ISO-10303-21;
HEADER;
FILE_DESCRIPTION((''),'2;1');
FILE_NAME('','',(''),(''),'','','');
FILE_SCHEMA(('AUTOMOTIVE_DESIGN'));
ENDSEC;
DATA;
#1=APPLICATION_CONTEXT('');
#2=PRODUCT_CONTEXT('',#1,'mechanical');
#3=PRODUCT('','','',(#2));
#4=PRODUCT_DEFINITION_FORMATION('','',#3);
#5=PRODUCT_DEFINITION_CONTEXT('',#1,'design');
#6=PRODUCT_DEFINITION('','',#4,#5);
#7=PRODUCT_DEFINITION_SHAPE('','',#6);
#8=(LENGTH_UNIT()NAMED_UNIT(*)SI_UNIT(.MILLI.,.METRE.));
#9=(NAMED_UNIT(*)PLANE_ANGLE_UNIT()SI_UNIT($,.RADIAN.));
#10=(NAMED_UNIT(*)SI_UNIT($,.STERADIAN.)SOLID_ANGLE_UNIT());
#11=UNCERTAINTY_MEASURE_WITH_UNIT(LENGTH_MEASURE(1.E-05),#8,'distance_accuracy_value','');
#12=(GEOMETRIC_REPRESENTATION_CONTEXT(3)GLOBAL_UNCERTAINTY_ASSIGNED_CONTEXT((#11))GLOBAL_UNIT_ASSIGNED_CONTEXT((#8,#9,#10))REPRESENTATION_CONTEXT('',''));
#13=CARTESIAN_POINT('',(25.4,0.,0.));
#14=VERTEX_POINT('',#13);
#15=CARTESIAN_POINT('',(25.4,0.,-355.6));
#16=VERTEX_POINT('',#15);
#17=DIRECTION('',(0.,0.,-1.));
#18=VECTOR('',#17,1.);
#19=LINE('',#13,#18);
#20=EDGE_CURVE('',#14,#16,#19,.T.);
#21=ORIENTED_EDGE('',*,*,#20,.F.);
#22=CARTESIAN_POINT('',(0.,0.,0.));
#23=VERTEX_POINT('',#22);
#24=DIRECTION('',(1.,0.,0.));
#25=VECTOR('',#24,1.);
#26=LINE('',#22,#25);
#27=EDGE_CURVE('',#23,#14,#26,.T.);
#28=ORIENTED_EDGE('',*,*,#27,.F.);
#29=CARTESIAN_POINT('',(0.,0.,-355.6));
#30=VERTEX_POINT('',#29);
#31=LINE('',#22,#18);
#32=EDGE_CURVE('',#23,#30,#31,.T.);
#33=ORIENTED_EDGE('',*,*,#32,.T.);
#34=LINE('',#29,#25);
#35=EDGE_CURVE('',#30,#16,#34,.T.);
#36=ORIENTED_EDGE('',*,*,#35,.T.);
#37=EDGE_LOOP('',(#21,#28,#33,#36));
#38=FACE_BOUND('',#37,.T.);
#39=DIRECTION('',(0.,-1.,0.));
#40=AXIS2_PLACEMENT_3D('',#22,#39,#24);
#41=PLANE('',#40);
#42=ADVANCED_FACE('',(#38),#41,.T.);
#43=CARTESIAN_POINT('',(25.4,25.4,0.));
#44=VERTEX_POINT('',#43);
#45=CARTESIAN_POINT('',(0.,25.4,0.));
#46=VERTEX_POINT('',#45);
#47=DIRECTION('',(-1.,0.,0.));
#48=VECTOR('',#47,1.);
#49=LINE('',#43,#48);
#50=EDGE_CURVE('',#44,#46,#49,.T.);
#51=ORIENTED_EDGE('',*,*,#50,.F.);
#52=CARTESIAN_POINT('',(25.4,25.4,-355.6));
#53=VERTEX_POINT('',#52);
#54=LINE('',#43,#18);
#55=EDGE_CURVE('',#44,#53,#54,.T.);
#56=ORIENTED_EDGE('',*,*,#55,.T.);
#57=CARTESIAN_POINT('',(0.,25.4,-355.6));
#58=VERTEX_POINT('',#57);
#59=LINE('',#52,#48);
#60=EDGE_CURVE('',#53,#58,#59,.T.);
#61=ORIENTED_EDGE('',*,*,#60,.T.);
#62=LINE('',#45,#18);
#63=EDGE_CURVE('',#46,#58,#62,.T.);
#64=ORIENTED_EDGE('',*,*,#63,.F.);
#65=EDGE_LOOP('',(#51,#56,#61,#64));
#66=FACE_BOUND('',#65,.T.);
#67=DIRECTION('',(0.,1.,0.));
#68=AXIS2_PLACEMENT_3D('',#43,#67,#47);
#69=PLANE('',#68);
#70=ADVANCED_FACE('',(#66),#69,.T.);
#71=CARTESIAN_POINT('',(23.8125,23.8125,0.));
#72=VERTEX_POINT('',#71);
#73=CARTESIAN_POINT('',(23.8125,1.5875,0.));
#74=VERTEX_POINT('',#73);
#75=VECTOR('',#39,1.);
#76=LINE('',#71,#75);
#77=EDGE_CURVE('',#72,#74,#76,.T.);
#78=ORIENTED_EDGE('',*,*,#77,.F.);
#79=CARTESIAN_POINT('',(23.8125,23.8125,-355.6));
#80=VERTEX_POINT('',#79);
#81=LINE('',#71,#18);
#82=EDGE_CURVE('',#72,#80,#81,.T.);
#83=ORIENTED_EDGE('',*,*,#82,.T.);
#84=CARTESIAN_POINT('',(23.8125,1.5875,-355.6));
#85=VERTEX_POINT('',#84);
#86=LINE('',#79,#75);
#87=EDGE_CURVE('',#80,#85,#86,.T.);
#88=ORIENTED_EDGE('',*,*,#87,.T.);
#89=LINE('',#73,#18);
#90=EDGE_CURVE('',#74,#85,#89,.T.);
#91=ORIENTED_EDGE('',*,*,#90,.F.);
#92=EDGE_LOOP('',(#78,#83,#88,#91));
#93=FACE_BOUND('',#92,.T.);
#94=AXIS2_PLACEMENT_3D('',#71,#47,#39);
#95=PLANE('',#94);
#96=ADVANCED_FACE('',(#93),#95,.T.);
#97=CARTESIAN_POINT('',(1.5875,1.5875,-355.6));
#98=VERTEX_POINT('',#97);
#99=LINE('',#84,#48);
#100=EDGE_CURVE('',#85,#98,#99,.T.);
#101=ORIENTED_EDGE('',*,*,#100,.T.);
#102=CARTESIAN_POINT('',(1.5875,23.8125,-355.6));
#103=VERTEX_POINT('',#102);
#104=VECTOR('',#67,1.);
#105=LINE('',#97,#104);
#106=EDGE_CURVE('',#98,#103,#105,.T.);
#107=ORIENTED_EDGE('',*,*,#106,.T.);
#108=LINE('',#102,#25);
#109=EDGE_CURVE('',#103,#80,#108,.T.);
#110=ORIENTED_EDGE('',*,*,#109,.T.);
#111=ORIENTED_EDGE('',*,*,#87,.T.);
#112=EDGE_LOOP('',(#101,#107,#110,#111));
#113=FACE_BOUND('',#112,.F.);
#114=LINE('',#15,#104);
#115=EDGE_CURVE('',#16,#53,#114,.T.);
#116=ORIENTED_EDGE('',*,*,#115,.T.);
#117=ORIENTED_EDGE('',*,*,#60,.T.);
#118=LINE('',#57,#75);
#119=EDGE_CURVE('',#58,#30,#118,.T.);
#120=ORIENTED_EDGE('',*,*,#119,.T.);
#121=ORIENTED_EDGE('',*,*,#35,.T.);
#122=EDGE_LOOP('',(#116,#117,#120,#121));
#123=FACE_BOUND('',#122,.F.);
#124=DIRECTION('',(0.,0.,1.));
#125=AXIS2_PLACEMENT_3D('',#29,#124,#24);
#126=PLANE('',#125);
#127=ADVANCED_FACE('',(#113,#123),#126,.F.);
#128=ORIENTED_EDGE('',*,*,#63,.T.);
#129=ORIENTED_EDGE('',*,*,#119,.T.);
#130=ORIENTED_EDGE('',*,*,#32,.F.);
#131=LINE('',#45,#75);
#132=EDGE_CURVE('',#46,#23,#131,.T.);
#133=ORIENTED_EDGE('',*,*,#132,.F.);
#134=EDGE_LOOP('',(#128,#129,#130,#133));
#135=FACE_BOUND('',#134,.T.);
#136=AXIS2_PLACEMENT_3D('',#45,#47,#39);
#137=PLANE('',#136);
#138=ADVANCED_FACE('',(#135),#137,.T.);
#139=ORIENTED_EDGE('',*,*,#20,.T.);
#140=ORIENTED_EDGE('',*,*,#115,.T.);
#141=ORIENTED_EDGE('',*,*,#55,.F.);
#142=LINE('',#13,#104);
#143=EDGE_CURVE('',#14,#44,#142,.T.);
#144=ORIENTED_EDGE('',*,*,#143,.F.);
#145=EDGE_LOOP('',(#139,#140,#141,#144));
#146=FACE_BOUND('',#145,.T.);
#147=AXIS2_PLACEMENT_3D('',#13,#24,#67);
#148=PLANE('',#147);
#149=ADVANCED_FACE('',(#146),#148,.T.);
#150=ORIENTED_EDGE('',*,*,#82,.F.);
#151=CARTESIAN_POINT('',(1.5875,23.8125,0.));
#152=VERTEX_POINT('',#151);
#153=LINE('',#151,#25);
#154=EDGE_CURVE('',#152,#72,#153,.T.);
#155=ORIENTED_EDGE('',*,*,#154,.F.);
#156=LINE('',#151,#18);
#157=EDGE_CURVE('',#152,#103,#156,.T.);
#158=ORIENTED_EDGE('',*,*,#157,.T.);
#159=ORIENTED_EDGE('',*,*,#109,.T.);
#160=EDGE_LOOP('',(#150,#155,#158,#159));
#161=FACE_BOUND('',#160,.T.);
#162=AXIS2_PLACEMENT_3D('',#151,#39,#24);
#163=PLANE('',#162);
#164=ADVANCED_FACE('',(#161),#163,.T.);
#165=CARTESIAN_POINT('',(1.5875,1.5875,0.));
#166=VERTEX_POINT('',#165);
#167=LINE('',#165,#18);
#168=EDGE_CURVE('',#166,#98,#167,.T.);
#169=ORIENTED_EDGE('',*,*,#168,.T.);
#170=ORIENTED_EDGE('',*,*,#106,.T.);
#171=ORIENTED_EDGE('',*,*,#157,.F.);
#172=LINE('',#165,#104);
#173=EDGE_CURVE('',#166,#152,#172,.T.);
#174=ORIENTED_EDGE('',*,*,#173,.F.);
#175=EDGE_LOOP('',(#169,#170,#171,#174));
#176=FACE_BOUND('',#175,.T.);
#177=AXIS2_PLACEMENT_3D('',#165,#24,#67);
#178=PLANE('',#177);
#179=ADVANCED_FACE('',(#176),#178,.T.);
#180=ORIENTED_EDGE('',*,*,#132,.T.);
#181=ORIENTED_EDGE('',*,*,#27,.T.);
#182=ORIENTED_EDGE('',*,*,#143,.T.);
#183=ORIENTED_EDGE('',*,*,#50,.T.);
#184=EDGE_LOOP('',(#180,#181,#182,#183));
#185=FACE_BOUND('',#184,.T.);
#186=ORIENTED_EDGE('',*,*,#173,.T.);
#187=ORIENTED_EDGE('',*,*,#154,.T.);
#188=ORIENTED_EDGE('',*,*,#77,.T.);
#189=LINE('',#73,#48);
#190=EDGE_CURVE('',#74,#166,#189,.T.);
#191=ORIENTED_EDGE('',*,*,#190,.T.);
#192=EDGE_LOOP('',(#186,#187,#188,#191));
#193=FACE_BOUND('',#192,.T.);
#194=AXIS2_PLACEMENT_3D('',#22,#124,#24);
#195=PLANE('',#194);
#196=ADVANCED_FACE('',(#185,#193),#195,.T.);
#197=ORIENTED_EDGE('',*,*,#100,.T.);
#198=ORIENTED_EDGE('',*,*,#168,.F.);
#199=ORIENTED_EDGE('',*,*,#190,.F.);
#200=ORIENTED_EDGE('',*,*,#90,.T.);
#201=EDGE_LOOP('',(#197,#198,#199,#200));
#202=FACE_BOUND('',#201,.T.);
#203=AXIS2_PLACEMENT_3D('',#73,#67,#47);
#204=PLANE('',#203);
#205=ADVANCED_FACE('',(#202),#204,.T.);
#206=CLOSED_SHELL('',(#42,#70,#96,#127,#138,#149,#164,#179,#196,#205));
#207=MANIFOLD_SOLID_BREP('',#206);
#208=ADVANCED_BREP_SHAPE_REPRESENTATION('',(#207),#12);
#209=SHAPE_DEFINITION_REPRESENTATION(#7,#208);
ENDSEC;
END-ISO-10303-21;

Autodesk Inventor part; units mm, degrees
ref_plane "YZ Plane" through (0, 0, 0) normal (1, 0, 0) x (0, 1, 0)
ref_plane "XZ Plane" through (0, 0, 0) normal (0, 1, 0) x (-1, 0, 0)
ref_plane "XY Plane" through (0, 0, 0) normal (0, 0, 1) x (1, 0, 0)
sketch "Sketch1" plane through (0, 0, 0) normal (0, 0, 1) x (1, 0, 0)
  line L0 (0, 0) -> (25.4, 0)
  line L1 (25.4, 0) -> (25.4, 25.4)
  line L2 (25.4, 25.4) -> (0, 25.4)
  line L3 (0, 25.4) -> (0, 0)
  line L4 (1.5875, 23.8125) -> (23.8125, 23.8125)
  line L5 (23.8125, 23.8125) -> (23.8125, 1.5875)
  line L6 (23.8125, 1.5875) -> (1.5875, 1.5875)
  line L7 (1.5875, 1.5875) -> (1.5875, 23.8125)
  dimension "d0" = 25.4
  dimension "d1" = 25.4
  dimension "d2" = 1.5875
extrude "Extrusion1" add sketch "Sketch1" against normal blind 355.6
properties part number "1tube_14_layer1_innersupport"
